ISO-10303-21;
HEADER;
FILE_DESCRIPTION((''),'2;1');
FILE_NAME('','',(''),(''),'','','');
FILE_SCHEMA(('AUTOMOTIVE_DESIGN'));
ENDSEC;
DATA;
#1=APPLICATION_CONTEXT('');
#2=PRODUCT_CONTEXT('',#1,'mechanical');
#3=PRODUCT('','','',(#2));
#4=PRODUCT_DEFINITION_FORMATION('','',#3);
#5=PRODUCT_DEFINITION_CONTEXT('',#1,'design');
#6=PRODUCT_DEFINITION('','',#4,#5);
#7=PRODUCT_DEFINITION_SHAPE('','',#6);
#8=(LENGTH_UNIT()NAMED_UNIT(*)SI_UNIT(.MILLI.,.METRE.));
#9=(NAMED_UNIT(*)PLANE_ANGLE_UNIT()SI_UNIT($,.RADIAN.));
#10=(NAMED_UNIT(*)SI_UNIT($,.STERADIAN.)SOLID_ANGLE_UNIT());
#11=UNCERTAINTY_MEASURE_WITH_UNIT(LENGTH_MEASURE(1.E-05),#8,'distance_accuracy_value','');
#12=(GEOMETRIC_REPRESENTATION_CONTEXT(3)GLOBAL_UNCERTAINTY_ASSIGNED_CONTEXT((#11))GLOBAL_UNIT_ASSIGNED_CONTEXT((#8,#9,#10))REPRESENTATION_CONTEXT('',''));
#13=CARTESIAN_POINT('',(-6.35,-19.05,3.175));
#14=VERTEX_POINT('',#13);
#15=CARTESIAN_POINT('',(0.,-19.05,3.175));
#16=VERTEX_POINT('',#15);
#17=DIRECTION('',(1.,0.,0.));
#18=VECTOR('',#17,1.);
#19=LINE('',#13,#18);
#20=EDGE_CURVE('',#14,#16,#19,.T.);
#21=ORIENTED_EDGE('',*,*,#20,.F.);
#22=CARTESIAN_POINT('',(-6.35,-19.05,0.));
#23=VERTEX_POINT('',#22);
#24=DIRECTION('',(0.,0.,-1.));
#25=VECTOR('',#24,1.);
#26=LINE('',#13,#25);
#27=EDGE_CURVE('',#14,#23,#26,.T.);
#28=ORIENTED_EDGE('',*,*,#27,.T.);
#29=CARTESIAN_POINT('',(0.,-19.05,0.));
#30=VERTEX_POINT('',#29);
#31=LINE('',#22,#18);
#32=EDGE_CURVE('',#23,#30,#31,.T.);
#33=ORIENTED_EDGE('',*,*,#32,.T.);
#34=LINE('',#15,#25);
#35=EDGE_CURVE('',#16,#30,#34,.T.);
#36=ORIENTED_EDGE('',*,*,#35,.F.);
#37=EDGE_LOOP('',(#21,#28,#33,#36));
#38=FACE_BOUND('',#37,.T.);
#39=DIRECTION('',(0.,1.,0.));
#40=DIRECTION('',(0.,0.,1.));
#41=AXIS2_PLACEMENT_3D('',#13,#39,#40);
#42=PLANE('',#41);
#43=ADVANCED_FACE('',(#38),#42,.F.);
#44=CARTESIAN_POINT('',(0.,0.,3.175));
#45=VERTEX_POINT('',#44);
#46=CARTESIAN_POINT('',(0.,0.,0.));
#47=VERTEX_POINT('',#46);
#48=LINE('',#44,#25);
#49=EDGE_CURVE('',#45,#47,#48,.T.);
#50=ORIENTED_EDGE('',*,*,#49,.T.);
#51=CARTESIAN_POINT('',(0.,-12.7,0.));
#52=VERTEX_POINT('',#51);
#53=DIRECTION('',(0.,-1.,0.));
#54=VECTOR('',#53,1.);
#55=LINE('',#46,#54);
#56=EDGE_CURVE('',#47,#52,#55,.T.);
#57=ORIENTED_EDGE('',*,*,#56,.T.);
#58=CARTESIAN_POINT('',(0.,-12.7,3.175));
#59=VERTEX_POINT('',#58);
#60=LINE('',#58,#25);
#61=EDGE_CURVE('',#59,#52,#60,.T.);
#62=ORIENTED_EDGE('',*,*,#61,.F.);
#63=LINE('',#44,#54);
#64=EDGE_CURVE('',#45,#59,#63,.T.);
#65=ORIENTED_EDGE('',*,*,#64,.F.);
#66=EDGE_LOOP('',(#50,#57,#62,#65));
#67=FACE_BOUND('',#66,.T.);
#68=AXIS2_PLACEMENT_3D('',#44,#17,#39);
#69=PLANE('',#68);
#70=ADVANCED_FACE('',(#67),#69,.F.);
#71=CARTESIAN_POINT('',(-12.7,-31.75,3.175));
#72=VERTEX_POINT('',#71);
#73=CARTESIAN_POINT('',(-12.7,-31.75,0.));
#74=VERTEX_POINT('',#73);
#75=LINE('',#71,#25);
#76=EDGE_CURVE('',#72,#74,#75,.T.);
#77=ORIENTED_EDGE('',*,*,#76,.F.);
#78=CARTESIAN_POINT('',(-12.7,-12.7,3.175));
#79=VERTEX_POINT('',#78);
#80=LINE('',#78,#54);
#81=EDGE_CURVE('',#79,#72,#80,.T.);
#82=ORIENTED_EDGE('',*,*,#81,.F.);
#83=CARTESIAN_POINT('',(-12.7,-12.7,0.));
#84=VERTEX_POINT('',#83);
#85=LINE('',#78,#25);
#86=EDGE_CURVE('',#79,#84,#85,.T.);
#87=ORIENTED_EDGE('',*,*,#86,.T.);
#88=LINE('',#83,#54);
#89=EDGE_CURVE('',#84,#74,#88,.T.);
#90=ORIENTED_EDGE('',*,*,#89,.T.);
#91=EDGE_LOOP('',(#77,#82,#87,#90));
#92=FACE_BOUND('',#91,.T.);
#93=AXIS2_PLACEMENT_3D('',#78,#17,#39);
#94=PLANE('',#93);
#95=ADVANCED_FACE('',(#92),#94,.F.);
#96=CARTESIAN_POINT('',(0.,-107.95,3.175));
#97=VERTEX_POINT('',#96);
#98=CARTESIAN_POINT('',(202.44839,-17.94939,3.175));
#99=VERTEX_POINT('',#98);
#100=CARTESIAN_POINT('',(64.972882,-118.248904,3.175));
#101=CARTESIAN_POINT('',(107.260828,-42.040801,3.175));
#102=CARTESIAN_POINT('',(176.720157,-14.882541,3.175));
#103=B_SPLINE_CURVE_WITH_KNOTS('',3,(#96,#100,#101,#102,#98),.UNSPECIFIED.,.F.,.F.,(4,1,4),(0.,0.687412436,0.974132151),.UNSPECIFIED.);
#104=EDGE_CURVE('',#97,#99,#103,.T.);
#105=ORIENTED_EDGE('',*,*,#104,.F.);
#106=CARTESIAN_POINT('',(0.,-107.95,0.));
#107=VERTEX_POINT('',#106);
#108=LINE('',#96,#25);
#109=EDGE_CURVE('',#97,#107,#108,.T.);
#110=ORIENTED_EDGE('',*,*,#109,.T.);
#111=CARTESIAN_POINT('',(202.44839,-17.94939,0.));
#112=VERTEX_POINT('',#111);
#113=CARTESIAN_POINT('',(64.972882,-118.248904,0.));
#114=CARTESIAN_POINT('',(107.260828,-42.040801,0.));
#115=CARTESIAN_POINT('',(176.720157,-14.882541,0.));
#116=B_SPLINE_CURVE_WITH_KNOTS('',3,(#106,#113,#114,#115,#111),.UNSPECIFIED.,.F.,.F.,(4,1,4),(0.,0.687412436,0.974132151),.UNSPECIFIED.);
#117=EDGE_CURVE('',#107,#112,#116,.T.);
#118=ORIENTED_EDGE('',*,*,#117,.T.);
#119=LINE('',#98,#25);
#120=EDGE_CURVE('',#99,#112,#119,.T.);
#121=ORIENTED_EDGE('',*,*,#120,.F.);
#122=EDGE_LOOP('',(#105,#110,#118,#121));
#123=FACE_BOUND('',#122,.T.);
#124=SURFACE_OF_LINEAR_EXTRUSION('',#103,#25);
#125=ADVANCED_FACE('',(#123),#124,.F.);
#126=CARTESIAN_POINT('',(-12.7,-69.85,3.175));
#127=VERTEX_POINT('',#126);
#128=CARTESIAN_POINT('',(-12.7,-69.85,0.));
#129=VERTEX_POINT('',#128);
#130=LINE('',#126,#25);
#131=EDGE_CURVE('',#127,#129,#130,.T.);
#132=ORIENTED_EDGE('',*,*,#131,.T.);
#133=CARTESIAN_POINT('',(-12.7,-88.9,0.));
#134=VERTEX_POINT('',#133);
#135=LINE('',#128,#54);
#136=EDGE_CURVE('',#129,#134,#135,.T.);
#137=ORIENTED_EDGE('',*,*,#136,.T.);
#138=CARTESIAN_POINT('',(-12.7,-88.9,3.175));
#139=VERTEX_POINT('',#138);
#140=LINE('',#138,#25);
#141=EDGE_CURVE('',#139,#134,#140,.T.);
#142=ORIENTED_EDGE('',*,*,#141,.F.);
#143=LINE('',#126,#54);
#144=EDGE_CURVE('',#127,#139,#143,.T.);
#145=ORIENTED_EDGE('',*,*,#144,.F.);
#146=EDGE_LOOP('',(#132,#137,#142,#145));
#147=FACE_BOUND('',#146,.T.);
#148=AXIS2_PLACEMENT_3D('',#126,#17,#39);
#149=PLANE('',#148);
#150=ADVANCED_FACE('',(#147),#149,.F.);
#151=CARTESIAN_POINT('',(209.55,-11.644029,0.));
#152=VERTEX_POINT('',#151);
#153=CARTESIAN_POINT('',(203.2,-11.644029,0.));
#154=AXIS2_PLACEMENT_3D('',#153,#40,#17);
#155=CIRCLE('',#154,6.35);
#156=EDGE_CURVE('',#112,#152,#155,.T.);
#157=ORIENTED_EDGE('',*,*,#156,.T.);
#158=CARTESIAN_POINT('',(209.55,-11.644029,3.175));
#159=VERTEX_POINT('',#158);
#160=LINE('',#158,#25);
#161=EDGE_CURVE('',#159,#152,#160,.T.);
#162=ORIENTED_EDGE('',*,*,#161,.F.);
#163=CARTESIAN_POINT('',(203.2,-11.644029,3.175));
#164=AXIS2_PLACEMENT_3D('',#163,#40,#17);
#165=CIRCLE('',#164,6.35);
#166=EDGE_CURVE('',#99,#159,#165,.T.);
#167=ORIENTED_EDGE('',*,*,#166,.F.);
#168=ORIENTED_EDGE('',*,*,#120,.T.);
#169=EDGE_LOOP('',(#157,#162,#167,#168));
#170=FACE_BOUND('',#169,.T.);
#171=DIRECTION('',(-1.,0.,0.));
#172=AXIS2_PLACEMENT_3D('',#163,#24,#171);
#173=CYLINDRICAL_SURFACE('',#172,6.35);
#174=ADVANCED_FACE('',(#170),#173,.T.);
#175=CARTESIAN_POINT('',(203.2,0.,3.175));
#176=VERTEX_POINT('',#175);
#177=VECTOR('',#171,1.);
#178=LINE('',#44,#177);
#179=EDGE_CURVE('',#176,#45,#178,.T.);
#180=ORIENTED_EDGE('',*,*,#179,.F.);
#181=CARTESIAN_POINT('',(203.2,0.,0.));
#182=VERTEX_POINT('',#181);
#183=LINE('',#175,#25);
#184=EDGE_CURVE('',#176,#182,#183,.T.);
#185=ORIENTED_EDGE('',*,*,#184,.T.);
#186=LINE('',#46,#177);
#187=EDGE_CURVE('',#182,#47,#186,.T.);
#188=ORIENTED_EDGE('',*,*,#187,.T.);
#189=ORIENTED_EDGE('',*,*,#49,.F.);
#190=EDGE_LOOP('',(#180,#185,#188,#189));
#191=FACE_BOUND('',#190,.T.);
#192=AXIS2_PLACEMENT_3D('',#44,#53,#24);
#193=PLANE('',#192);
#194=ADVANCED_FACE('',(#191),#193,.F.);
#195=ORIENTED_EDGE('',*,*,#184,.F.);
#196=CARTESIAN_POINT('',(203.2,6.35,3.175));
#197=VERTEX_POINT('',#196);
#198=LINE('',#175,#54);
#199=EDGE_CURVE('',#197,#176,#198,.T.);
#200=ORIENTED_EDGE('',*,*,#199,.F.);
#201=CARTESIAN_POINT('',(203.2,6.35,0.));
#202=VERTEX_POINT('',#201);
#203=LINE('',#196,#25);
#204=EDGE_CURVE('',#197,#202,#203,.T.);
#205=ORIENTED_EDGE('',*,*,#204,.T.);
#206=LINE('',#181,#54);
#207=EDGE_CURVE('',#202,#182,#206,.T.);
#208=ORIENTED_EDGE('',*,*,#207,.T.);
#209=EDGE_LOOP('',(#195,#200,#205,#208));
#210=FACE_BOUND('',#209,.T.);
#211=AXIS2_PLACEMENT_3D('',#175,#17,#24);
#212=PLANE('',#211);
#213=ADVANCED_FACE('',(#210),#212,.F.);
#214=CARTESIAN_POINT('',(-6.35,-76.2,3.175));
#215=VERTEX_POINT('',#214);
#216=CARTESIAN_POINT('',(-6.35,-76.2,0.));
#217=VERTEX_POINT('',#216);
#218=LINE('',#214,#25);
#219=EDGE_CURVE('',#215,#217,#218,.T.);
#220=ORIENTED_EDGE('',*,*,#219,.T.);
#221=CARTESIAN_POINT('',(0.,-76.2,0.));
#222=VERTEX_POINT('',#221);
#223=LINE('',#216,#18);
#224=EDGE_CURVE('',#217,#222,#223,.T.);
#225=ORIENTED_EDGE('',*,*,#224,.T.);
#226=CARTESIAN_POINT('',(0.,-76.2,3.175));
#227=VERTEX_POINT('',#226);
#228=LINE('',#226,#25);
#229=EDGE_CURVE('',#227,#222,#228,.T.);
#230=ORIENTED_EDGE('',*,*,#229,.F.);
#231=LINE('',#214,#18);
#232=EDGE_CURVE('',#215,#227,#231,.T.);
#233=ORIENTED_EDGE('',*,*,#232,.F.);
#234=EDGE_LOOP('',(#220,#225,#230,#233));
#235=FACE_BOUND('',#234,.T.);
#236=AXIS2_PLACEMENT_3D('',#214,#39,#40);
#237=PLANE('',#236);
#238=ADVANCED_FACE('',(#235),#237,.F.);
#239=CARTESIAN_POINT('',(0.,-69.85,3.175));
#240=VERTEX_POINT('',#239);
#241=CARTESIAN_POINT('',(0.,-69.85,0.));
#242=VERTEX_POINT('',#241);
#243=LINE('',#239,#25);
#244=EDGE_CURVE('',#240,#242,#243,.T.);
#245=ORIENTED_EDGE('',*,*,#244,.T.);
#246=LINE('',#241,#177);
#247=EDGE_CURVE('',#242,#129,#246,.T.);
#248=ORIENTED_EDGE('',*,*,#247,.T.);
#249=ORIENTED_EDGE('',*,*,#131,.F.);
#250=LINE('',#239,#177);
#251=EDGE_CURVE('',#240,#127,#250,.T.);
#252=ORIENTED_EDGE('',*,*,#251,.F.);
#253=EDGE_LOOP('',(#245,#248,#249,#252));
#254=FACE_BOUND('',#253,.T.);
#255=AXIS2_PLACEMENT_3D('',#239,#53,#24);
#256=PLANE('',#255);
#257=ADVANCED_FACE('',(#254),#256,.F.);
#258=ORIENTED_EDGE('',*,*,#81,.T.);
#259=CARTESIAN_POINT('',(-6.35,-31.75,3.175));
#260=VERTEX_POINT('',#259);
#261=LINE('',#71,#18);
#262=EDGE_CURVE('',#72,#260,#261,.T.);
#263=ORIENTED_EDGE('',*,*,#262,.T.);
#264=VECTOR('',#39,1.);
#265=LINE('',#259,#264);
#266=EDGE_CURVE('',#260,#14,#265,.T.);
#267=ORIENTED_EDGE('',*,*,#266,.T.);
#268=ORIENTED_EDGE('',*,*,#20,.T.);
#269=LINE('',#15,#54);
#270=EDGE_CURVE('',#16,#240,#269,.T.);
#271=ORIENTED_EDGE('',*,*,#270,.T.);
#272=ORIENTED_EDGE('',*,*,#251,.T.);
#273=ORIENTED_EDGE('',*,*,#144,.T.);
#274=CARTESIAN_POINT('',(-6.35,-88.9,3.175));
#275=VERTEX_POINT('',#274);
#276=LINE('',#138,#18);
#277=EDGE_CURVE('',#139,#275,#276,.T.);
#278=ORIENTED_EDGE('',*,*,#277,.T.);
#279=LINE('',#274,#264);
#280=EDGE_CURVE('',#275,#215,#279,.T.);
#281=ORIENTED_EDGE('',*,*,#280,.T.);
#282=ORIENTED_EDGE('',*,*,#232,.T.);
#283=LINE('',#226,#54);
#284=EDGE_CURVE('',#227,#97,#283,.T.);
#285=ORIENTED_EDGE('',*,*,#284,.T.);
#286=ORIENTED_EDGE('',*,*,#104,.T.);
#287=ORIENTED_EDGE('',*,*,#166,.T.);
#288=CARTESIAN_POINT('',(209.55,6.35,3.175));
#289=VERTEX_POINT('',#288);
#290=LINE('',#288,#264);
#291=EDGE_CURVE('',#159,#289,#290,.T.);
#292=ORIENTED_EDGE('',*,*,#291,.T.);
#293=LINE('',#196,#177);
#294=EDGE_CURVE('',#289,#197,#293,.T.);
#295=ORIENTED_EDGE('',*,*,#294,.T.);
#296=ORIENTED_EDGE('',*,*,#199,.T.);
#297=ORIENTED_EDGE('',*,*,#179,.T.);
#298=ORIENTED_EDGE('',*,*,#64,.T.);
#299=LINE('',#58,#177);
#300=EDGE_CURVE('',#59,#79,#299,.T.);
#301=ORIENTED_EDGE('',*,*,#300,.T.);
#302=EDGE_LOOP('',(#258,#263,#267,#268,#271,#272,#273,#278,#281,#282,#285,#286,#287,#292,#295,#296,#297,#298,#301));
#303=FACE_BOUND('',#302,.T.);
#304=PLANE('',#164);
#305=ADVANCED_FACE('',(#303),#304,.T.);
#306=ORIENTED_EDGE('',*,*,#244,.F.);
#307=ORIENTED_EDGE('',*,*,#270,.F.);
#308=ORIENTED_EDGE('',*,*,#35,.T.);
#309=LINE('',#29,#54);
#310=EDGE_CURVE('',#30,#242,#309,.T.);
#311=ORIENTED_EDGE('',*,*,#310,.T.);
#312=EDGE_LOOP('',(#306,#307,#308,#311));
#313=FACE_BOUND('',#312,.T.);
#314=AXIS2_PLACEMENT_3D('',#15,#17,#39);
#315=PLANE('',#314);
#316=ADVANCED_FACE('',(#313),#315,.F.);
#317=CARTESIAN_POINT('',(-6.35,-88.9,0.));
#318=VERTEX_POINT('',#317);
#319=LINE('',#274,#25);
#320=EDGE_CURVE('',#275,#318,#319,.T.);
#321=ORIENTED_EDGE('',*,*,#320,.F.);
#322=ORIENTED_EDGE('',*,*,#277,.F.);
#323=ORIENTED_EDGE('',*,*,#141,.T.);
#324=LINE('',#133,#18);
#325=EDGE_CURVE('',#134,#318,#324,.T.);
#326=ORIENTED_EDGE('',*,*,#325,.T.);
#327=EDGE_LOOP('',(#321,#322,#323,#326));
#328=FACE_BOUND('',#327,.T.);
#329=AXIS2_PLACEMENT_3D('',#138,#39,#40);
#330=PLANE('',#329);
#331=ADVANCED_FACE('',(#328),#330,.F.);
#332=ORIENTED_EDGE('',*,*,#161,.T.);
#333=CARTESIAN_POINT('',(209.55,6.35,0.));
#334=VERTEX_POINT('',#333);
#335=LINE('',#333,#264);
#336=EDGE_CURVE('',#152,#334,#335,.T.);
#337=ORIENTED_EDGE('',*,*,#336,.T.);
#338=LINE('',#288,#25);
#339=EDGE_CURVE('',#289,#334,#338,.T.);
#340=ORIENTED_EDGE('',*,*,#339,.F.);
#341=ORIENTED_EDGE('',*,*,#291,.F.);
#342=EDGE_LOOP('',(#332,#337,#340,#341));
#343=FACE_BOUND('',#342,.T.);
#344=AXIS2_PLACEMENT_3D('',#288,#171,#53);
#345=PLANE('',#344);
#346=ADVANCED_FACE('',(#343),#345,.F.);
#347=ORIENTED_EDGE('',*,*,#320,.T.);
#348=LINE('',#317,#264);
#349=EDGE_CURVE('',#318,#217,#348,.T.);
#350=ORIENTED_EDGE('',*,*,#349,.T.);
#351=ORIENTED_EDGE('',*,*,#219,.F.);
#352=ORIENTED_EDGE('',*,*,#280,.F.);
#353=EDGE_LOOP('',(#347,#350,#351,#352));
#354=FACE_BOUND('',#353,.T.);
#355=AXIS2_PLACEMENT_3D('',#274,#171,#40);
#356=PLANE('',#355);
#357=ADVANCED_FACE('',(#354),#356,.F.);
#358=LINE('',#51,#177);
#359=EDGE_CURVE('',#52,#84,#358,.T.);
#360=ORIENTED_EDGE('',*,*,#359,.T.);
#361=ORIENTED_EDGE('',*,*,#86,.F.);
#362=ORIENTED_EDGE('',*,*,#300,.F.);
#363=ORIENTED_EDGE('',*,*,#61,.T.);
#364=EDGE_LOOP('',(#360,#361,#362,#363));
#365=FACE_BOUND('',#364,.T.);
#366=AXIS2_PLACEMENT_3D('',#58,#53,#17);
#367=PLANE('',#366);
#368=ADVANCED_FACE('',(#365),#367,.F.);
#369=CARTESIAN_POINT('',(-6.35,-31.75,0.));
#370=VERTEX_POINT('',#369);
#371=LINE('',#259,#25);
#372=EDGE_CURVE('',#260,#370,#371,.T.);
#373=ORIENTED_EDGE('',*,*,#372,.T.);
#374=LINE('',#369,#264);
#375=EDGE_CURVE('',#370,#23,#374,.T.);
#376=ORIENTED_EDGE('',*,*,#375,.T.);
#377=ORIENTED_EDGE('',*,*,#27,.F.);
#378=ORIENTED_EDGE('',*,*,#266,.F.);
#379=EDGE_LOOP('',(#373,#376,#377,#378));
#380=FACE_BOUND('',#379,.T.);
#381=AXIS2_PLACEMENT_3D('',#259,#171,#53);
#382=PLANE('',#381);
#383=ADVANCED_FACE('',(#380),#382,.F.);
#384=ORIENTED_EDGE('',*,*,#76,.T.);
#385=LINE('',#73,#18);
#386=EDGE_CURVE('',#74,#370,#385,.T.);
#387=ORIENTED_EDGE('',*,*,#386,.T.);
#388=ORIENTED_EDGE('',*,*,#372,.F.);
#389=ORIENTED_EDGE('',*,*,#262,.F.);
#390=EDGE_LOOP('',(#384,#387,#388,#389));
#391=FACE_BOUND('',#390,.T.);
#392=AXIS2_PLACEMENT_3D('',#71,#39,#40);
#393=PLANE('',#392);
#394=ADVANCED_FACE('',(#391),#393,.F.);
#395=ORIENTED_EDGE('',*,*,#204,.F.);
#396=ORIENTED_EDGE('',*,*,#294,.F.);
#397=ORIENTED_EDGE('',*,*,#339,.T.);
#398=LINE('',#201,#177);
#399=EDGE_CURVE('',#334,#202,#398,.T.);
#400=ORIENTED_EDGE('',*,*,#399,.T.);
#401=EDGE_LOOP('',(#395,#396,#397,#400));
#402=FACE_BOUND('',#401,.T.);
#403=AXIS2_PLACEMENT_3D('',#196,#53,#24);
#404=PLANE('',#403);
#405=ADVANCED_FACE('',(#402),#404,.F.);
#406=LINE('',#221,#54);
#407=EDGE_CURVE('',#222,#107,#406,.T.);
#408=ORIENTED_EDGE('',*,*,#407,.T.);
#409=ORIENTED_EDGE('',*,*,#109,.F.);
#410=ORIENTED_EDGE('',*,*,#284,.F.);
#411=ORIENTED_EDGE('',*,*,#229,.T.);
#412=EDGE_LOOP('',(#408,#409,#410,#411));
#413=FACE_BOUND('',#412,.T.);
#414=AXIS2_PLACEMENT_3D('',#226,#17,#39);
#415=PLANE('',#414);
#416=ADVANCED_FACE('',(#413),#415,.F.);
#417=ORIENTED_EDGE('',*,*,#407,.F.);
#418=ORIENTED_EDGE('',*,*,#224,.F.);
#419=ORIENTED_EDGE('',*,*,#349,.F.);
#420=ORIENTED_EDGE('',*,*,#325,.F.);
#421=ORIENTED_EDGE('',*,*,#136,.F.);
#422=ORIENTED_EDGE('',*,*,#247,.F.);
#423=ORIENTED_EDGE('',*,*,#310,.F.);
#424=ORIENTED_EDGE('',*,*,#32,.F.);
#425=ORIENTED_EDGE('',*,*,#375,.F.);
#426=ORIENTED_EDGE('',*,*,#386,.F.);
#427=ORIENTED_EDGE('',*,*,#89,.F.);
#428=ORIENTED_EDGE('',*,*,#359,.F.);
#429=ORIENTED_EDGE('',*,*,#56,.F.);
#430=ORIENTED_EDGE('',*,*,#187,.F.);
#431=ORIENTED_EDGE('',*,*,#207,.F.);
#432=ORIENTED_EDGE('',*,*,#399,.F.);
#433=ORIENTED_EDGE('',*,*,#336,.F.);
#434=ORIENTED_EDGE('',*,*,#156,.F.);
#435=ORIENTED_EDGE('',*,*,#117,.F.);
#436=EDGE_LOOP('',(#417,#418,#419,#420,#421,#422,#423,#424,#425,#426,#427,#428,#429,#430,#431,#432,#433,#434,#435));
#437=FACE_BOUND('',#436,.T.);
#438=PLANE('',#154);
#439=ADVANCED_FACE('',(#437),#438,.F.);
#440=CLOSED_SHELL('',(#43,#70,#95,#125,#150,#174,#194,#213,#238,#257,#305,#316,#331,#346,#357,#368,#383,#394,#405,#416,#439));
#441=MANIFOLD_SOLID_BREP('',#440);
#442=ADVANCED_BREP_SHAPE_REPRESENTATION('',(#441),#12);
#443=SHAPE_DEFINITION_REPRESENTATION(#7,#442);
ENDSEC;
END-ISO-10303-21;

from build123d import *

# Parameters (mm, degrees)
BOSS_EXTRUDE1_DEPTH = 3.175


with BuildPart() as part:
    # Sketch1 → Boss-Extrude1 (new body)
    with BuildSketch(Plane.XY):
        with BuildLine():
            Line((0, 0), (0, -12.7))
            Line((0, -12.7), (-12.7, -12.7))
            Line((-12.7, -12.7), (-12.7, -31.75))
            Line((-12.7, -31.75), (-6.35, -31.75))
            Line((-6.35, -31.75), (-6.35, -19.05))
            Line((-6.35, -19.05), (0, -19.05))
            Line((0, -19.05), (0, -69.85))
            Line((0, -69.85), (-12.7, -69.85))
            Line((-12.7, -69.85), (-12.7, -88.9))
            Line((-12.7, -88.9), (-6.35, -88.9))
            Line((-6.35, -88.9), (-6.35, -76.2))
            Line((-6.35, -76.2), (0, -76.2))
            Line((0, -76.2), (0, -107.95))
            add(Edge.make_bspline(
                [(0, -107.95), (64.972882445, -118.248903815), (107.260828457, -42.040801067), (176.720157179, -14.882540639), (202.4483901, -17.949390151)],
                knots=[0, 0, 0, 0, 0.687412436, 0.974132151, 0.974132151, 0.974132151, 0.974132151], degree=3))
            ThreePointArc((202.4483901, -17.949390151), (207.416027581, -16.392461261), (209.55, -11.644028737))
            Line((209.55, -11.644028737), (209.55, 6.35))
            Line((209.55, 6.35), (203.2, 6.35))
            Line((203.2, 6.35), (203.2, 0))
            Line((203.2, 0), (0, 0))
        make_face()
    extrude(amount=BOSS_EXTRUDE1_DEPTH)


solid = part.part
